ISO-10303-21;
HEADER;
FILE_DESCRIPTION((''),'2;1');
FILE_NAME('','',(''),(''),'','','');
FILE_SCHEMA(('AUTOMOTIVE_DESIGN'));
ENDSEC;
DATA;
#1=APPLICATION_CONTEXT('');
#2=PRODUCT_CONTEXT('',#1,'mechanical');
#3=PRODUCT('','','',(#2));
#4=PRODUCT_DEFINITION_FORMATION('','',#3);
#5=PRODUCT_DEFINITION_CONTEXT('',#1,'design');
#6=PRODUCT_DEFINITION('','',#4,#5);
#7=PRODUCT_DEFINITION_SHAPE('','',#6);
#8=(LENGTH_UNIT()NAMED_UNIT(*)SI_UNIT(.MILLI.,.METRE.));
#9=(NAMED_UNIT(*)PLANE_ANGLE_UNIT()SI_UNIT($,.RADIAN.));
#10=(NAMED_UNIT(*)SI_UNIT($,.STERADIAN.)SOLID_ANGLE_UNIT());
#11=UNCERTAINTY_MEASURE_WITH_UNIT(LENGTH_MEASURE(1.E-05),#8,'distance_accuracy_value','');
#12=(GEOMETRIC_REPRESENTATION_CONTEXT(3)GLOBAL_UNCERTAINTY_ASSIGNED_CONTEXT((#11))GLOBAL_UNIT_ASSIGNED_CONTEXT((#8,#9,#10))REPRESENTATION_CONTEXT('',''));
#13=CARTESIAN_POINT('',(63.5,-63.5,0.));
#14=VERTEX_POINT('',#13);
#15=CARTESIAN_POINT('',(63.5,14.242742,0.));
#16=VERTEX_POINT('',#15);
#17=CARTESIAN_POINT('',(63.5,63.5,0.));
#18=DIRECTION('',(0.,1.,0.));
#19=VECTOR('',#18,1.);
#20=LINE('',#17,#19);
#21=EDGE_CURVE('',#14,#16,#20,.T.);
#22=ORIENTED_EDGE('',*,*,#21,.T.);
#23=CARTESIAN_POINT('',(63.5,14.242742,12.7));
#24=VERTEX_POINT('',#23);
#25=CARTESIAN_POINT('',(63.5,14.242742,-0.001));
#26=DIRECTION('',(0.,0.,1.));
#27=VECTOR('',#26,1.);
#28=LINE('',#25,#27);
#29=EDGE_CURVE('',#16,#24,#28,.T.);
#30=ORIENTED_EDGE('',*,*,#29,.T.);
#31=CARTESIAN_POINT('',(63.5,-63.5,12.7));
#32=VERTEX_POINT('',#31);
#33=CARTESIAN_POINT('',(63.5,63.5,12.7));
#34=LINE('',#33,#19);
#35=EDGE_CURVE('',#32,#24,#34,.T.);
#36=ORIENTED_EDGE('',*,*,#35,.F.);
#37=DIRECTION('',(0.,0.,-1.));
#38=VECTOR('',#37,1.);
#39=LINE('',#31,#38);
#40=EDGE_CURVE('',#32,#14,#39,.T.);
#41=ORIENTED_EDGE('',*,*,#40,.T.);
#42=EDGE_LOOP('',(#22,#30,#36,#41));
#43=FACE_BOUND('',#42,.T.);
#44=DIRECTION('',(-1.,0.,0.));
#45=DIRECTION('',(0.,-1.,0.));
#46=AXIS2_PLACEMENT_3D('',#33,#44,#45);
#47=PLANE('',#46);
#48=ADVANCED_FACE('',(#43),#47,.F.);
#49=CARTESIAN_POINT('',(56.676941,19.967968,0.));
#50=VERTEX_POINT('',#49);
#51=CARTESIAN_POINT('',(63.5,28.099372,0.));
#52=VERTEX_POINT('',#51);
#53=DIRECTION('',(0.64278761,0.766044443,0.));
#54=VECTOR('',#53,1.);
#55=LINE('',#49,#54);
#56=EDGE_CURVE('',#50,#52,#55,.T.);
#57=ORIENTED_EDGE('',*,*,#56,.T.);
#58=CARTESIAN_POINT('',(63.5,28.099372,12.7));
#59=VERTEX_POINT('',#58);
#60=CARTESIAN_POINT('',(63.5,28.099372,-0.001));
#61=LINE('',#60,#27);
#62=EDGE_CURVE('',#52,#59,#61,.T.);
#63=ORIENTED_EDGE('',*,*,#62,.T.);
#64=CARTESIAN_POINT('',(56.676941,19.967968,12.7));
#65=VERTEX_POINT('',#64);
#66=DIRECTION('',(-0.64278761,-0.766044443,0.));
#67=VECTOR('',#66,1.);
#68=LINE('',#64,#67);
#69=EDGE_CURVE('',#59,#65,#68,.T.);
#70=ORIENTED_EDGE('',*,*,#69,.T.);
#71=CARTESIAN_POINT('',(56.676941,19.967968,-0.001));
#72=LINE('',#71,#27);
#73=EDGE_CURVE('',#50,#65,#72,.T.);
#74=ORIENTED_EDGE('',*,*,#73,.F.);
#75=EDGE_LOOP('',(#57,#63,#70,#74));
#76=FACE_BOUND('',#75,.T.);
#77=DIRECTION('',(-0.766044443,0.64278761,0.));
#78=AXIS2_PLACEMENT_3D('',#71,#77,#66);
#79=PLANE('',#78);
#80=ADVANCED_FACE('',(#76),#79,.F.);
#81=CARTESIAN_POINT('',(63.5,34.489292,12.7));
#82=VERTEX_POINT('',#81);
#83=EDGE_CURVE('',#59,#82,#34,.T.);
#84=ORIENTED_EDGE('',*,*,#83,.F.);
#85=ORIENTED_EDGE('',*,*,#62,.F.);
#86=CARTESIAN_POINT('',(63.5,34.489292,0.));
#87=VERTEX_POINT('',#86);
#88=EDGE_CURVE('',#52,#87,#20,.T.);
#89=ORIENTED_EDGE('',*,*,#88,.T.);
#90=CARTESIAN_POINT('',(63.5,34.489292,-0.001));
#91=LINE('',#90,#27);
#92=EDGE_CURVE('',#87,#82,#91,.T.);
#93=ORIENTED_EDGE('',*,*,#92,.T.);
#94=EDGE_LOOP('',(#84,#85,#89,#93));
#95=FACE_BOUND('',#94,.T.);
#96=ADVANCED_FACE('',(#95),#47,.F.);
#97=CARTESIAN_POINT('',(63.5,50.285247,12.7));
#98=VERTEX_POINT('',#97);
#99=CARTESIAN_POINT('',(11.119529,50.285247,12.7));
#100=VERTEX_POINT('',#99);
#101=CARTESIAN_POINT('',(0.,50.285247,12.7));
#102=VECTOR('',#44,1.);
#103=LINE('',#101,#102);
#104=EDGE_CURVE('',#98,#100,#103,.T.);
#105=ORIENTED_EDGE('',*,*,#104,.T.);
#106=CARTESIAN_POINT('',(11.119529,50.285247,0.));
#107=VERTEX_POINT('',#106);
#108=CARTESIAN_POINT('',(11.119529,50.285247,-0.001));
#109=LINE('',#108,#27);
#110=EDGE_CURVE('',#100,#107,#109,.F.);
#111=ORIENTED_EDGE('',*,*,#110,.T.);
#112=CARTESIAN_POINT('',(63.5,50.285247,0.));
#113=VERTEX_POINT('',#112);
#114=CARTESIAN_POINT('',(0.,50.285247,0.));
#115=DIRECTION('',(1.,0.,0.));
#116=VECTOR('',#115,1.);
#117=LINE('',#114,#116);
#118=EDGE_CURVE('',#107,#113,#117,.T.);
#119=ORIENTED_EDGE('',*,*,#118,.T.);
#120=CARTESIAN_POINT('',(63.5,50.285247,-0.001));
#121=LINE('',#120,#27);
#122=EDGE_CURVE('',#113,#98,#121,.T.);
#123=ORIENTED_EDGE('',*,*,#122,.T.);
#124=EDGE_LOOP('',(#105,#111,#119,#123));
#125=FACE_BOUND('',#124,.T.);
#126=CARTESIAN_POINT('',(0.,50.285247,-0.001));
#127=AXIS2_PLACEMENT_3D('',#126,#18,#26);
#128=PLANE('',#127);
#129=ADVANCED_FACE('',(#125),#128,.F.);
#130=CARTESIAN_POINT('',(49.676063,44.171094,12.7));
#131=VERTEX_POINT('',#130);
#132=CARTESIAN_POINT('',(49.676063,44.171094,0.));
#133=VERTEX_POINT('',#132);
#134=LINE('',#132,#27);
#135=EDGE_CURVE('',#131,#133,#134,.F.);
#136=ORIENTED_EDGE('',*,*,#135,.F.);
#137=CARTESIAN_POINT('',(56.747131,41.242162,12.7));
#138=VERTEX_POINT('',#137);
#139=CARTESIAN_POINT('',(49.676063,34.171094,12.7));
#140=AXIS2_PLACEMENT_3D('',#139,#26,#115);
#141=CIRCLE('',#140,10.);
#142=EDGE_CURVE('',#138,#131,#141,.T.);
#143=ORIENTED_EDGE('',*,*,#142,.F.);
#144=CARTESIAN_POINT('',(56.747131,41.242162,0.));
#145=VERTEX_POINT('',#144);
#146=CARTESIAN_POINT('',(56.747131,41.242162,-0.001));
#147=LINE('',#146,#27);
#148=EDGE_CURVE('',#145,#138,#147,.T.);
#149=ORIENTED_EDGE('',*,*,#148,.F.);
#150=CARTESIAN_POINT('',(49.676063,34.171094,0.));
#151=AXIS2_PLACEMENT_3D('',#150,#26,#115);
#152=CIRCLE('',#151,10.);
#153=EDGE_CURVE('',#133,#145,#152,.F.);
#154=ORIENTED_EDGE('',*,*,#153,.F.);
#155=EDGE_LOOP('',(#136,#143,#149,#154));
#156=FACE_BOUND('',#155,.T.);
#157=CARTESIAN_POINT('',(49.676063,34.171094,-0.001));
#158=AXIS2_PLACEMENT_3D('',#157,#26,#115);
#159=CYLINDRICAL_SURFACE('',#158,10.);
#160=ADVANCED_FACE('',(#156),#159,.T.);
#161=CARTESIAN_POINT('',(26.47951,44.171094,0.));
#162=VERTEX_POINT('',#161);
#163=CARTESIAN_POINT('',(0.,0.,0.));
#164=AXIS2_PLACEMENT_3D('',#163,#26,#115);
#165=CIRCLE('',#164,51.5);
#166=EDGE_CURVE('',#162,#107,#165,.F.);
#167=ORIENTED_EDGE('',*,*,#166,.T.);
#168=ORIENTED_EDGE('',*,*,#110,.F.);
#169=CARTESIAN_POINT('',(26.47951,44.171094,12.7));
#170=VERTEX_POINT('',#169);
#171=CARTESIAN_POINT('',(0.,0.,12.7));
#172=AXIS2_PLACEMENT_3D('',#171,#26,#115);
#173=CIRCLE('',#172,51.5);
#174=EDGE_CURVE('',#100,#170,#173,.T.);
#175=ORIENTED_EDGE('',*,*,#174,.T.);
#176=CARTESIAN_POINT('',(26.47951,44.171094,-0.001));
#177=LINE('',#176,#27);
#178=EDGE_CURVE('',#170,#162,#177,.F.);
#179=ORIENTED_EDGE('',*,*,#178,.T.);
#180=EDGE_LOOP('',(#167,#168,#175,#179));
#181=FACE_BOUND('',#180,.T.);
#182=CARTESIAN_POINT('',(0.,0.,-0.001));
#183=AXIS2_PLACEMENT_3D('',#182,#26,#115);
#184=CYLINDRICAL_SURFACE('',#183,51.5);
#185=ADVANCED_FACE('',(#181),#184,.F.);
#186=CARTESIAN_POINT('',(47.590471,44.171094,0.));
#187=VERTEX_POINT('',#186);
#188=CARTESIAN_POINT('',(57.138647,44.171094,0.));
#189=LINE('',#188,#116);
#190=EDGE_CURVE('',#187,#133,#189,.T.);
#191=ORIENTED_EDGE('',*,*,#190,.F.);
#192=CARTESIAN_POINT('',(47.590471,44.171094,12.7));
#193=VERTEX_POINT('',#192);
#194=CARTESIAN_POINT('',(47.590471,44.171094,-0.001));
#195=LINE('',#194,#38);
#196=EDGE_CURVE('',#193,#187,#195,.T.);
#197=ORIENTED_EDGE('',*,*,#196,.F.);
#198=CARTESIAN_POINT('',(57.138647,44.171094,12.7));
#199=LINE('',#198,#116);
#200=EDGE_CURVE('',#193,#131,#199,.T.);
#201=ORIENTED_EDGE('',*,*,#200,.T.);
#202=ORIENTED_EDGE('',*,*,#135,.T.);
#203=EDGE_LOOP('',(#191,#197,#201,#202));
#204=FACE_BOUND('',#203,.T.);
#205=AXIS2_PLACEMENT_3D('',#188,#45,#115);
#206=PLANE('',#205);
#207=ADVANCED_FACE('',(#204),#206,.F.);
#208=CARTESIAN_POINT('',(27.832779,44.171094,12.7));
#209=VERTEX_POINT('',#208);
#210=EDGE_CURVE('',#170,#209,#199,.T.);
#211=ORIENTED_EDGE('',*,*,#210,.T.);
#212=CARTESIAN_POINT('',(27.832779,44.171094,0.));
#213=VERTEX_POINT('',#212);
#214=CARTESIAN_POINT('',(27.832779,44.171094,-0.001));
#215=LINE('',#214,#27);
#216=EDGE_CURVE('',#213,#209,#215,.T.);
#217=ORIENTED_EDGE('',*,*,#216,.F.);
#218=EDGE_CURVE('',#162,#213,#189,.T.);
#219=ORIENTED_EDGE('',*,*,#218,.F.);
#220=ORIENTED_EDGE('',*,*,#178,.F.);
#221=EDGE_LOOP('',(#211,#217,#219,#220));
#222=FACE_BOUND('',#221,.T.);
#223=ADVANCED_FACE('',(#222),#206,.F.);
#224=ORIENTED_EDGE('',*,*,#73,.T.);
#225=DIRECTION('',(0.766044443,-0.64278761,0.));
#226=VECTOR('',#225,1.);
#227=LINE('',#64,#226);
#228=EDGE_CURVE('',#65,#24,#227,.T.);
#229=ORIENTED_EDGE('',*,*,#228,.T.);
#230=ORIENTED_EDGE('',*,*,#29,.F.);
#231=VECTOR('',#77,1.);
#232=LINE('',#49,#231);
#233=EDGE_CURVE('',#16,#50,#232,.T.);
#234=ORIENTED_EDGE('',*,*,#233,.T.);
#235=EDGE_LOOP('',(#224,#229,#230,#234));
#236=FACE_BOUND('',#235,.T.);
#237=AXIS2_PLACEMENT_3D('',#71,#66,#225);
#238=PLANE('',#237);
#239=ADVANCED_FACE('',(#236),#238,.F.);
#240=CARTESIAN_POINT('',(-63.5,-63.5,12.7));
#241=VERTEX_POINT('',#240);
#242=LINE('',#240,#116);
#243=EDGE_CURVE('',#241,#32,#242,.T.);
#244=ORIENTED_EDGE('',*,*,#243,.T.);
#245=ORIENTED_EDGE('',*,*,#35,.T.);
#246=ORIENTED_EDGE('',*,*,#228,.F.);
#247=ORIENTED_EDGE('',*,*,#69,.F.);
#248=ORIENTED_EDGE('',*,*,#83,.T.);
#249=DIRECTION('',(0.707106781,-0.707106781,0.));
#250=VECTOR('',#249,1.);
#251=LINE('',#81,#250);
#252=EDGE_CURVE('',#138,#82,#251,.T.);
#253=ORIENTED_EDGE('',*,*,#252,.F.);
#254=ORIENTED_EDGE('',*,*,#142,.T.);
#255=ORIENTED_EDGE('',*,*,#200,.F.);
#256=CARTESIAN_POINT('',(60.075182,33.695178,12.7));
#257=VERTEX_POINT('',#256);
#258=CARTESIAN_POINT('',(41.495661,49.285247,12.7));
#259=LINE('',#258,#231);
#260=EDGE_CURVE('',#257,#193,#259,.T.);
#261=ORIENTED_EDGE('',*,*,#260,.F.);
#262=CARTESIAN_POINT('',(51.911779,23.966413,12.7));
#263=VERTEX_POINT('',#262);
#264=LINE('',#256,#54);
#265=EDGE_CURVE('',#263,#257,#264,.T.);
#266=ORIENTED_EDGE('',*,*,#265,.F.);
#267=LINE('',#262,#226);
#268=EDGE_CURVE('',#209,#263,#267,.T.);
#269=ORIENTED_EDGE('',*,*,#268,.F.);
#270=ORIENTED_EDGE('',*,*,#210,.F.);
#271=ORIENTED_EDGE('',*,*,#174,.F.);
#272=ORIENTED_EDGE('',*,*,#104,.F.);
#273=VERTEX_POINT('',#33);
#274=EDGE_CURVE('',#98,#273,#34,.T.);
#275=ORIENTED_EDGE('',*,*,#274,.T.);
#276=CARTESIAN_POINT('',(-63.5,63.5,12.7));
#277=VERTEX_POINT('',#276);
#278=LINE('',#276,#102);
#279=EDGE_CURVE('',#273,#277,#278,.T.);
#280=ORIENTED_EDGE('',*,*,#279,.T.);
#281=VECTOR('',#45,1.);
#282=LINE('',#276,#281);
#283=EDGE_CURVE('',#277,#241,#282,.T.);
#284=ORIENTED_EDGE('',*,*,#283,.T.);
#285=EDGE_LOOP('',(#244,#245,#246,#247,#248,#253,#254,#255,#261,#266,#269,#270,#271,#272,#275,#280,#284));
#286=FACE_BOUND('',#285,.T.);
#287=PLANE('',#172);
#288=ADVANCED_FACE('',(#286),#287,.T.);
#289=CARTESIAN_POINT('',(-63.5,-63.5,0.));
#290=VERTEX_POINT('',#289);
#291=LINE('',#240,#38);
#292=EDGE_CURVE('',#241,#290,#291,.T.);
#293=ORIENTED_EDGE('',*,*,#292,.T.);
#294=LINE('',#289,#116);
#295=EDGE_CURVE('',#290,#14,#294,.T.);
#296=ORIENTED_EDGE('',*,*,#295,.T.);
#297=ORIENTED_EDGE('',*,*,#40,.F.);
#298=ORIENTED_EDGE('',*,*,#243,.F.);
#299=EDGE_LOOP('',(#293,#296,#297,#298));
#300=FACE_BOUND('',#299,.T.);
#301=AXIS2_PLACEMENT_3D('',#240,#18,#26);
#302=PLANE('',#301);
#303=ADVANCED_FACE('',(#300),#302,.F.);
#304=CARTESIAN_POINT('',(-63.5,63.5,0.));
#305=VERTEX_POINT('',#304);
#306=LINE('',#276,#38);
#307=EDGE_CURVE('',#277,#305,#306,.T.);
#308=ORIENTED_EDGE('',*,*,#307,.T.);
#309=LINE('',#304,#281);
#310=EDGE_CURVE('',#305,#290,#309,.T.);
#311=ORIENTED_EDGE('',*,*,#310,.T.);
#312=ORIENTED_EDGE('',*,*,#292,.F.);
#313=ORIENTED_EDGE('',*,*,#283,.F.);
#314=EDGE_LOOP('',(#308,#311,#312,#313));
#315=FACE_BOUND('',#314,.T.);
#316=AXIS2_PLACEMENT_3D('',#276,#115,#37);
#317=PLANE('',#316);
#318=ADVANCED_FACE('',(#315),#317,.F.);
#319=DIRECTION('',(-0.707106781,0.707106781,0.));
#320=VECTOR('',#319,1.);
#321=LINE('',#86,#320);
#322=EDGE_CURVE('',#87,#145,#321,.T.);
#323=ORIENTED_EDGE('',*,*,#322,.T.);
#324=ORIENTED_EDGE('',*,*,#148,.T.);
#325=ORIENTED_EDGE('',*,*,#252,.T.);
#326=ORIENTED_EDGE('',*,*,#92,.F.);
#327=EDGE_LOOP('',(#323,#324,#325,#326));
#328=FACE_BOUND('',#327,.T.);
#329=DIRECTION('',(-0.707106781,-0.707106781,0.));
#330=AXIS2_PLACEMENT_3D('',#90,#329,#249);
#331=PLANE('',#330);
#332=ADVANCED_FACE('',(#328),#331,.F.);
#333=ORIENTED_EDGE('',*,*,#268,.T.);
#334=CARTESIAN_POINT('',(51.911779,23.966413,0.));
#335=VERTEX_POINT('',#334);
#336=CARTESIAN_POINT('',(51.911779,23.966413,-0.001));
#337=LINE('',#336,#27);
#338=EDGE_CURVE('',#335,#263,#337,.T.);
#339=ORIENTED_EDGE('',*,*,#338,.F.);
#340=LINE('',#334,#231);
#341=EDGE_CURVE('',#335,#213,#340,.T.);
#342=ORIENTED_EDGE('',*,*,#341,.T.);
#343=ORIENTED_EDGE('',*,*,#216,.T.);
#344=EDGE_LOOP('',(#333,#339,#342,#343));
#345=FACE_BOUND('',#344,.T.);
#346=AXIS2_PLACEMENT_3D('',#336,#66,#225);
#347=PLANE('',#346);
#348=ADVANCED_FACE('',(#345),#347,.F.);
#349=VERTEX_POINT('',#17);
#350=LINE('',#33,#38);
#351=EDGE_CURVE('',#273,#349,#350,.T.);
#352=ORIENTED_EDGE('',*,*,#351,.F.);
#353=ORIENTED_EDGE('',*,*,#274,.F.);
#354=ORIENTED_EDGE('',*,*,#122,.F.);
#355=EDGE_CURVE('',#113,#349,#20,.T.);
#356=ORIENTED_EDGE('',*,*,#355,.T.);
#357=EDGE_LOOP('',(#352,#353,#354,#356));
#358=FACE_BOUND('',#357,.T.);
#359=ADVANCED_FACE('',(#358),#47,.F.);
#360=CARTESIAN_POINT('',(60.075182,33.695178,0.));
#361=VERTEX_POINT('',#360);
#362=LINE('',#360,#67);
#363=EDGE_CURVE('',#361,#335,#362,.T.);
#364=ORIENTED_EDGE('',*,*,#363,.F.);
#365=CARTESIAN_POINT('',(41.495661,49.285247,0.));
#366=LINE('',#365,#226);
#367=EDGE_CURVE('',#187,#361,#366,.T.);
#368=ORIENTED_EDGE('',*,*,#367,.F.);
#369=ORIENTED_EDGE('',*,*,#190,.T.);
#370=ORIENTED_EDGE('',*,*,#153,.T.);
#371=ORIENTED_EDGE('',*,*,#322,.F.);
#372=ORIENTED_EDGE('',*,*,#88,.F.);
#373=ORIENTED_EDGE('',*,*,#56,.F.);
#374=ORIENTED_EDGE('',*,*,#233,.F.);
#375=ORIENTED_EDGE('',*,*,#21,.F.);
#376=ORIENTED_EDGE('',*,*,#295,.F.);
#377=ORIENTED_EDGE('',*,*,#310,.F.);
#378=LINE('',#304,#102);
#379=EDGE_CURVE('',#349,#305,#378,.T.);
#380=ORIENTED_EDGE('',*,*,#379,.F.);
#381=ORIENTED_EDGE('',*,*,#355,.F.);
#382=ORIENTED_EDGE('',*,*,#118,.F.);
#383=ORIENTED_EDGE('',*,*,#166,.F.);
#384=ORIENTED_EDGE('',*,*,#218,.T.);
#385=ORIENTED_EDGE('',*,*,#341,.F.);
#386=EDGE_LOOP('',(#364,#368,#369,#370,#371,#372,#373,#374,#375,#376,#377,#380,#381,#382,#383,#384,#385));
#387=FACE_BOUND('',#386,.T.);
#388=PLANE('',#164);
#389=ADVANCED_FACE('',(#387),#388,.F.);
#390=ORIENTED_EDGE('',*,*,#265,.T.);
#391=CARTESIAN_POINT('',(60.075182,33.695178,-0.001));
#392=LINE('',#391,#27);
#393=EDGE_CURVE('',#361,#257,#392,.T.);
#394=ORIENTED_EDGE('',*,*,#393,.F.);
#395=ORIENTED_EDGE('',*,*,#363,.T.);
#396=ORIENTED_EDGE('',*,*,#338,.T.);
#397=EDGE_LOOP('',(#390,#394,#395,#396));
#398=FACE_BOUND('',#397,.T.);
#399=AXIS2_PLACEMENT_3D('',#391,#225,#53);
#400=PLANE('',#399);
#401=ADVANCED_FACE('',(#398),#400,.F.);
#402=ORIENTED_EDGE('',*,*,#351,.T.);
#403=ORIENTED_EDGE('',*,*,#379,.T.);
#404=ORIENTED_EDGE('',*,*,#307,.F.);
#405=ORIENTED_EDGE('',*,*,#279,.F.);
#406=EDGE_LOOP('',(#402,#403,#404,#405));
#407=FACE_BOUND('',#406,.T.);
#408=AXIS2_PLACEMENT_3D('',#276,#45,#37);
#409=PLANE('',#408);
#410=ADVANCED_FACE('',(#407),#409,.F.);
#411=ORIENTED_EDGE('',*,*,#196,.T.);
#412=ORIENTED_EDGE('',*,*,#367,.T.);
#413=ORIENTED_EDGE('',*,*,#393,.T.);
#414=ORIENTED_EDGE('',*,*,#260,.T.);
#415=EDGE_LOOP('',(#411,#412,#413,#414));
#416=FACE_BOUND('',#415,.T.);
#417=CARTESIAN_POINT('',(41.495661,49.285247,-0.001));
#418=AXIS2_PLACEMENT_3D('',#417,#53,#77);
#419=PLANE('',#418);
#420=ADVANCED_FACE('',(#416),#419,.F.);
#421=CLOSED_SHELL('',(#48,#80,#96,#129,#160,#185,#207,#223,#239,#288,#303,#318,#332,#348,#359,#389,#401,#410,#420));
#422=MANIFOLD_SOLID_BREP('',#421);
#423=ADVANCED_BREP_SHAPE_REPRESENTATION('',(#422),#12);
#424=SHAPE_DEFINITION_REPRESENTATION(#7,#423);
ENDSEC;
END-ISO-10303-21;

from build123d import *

# Parameters (mm, degrees)
SKETCH1_W           = 127
SKETCH1_H           = 127
BOSS_EXTRUDE1_DEPTH = 12.7
CUT_EXTRUDE1_REACH  = 92.696
SKETCH2_R           = 51.5
CUT_EXTRUDE2_REACH  = 92.696
CUT_EXTRUDE3_REACH  = 92.696
CUT_EXTRUDE4_DEPTH  = 91.696141042
FILLET1_R           = 10


with BuildPart() as part:
    # Sketch1 → Boss-Extrude1 (new body)
    with BuildSketch(Plane.XY):
        Rectangle(SKETCH1_W, SKETCH1_H)
    extrude(amount=BOSS_EXTRUDE1_DEPTH)

    # Sketch2 → Cut-Extrude1 (cut, up to next)
    with BuildSketch(Plane.XY.offset(12.7), mode=Mode.PRIVATE) as cut_extrude1_sk1:
        Circle(SKETCH2_R)
    cut_extrude1_tool1 = extrude(cut_extrude1_sk1.sketch, amount=-CUT_EXTRUDE1_REACH, mode=Mode.PRIVATE) & part.part
    add(cut_extrude1_tool1.solids().sort_by_distance((0, 0, 12.7))[0], mode=Mode.SUBTRACT)

    # Sketch3 → Cut-Extrude2 (cut, up to next)
    with BuildSketch(Plane.XY.offset(12.7), mode=Mode.PRIVATE) as cut_extrude2_sk1:
        Polygon((0, 50.285247175), (63.5, 50.285247175), (63.5, 34.489292445), (48.70404527, 49.285247175), (0, 49.285247175), align=None)
    cut_extrude2_tool1 = extrude(cut_extrude2_sk1.sketch, amount=-CUT_EXTRUDE2_REACH, mode=Mode.PRIVATE) & part.part
    add(cut_extrude2_tool1.solids().sort_by_distance((31.75, 49.630895, 12.7))[0], mode=Mode.SUBTRACT)

    # Sketch4 → Cut-Extrude3 (cut, up to next)
    with BuildSketch(Plane.XY.offset(12.7), mode=Mode.PRIVATE) as cut_extrude3_sk1:
        Polygon((41.495660788, 49.285247175), (60.075181823, 33.695177927), (51.91177918, 23.9664135), (21.737968187, 49.285247175), align=None)
    cut_extrude3_tool1 = extrude(cut_extrude3_sk1.sketch, amount=-CUT_EXTRUDE3_REACH, mode=Mode.PRIVATE) & part.part
    # Sketch4 → Cut-Extrude3 (cut, up to next)
    with BuildSketch(Plane.XY.offset(12.7), mode=Mode.PRIVATE) as cut_extrude3_sk2:
        Polygon((56.676941472, 19.967967578), (63.5, 28.099372092), (63.5, 14.242741684), align=None)
    cut_extrude3_tool2 = extrude(cut_extrude3_sk2.sketch, amount=-CUT_EXTRUDE3_REACH, mode=Mode.PRIVATE) & part.part
    add(cut_extrude3_tool1.solids().sort_by_distance((43.251809, 38.865217, 12.7))[0], mode=Mode.SUBTRACT)
    add(cut_extrude3_tool2.solids().sort_by_distance((61.225647, 20.770027, 12.7))[0], mode=Mode.SUBTRACT)

    # Sketch5 → Cut-Extrude4 (cut, through all)
    with BuildSketch(Plane.XY.offset(12.7)):
        Polygon((11.794347458, 49.797355322), (57.138646711, 49.797355322), (57.138646711, 44.171093993), (19.361103765, 44.171093993), align=None)
    extrude(amount=-CUT_EXTRUDE4_DEPTH, mode=Mode.SUBTRACT)

    # Fillet1
    fillet1_edges = [part.edges().sort_by_distance(p)[0] for p in [
        (53.818198452, 44.171093993, 6.35),
    ]]
    fillet(fillet1_edges, radius=FILLET1_R)


solid = part.part
